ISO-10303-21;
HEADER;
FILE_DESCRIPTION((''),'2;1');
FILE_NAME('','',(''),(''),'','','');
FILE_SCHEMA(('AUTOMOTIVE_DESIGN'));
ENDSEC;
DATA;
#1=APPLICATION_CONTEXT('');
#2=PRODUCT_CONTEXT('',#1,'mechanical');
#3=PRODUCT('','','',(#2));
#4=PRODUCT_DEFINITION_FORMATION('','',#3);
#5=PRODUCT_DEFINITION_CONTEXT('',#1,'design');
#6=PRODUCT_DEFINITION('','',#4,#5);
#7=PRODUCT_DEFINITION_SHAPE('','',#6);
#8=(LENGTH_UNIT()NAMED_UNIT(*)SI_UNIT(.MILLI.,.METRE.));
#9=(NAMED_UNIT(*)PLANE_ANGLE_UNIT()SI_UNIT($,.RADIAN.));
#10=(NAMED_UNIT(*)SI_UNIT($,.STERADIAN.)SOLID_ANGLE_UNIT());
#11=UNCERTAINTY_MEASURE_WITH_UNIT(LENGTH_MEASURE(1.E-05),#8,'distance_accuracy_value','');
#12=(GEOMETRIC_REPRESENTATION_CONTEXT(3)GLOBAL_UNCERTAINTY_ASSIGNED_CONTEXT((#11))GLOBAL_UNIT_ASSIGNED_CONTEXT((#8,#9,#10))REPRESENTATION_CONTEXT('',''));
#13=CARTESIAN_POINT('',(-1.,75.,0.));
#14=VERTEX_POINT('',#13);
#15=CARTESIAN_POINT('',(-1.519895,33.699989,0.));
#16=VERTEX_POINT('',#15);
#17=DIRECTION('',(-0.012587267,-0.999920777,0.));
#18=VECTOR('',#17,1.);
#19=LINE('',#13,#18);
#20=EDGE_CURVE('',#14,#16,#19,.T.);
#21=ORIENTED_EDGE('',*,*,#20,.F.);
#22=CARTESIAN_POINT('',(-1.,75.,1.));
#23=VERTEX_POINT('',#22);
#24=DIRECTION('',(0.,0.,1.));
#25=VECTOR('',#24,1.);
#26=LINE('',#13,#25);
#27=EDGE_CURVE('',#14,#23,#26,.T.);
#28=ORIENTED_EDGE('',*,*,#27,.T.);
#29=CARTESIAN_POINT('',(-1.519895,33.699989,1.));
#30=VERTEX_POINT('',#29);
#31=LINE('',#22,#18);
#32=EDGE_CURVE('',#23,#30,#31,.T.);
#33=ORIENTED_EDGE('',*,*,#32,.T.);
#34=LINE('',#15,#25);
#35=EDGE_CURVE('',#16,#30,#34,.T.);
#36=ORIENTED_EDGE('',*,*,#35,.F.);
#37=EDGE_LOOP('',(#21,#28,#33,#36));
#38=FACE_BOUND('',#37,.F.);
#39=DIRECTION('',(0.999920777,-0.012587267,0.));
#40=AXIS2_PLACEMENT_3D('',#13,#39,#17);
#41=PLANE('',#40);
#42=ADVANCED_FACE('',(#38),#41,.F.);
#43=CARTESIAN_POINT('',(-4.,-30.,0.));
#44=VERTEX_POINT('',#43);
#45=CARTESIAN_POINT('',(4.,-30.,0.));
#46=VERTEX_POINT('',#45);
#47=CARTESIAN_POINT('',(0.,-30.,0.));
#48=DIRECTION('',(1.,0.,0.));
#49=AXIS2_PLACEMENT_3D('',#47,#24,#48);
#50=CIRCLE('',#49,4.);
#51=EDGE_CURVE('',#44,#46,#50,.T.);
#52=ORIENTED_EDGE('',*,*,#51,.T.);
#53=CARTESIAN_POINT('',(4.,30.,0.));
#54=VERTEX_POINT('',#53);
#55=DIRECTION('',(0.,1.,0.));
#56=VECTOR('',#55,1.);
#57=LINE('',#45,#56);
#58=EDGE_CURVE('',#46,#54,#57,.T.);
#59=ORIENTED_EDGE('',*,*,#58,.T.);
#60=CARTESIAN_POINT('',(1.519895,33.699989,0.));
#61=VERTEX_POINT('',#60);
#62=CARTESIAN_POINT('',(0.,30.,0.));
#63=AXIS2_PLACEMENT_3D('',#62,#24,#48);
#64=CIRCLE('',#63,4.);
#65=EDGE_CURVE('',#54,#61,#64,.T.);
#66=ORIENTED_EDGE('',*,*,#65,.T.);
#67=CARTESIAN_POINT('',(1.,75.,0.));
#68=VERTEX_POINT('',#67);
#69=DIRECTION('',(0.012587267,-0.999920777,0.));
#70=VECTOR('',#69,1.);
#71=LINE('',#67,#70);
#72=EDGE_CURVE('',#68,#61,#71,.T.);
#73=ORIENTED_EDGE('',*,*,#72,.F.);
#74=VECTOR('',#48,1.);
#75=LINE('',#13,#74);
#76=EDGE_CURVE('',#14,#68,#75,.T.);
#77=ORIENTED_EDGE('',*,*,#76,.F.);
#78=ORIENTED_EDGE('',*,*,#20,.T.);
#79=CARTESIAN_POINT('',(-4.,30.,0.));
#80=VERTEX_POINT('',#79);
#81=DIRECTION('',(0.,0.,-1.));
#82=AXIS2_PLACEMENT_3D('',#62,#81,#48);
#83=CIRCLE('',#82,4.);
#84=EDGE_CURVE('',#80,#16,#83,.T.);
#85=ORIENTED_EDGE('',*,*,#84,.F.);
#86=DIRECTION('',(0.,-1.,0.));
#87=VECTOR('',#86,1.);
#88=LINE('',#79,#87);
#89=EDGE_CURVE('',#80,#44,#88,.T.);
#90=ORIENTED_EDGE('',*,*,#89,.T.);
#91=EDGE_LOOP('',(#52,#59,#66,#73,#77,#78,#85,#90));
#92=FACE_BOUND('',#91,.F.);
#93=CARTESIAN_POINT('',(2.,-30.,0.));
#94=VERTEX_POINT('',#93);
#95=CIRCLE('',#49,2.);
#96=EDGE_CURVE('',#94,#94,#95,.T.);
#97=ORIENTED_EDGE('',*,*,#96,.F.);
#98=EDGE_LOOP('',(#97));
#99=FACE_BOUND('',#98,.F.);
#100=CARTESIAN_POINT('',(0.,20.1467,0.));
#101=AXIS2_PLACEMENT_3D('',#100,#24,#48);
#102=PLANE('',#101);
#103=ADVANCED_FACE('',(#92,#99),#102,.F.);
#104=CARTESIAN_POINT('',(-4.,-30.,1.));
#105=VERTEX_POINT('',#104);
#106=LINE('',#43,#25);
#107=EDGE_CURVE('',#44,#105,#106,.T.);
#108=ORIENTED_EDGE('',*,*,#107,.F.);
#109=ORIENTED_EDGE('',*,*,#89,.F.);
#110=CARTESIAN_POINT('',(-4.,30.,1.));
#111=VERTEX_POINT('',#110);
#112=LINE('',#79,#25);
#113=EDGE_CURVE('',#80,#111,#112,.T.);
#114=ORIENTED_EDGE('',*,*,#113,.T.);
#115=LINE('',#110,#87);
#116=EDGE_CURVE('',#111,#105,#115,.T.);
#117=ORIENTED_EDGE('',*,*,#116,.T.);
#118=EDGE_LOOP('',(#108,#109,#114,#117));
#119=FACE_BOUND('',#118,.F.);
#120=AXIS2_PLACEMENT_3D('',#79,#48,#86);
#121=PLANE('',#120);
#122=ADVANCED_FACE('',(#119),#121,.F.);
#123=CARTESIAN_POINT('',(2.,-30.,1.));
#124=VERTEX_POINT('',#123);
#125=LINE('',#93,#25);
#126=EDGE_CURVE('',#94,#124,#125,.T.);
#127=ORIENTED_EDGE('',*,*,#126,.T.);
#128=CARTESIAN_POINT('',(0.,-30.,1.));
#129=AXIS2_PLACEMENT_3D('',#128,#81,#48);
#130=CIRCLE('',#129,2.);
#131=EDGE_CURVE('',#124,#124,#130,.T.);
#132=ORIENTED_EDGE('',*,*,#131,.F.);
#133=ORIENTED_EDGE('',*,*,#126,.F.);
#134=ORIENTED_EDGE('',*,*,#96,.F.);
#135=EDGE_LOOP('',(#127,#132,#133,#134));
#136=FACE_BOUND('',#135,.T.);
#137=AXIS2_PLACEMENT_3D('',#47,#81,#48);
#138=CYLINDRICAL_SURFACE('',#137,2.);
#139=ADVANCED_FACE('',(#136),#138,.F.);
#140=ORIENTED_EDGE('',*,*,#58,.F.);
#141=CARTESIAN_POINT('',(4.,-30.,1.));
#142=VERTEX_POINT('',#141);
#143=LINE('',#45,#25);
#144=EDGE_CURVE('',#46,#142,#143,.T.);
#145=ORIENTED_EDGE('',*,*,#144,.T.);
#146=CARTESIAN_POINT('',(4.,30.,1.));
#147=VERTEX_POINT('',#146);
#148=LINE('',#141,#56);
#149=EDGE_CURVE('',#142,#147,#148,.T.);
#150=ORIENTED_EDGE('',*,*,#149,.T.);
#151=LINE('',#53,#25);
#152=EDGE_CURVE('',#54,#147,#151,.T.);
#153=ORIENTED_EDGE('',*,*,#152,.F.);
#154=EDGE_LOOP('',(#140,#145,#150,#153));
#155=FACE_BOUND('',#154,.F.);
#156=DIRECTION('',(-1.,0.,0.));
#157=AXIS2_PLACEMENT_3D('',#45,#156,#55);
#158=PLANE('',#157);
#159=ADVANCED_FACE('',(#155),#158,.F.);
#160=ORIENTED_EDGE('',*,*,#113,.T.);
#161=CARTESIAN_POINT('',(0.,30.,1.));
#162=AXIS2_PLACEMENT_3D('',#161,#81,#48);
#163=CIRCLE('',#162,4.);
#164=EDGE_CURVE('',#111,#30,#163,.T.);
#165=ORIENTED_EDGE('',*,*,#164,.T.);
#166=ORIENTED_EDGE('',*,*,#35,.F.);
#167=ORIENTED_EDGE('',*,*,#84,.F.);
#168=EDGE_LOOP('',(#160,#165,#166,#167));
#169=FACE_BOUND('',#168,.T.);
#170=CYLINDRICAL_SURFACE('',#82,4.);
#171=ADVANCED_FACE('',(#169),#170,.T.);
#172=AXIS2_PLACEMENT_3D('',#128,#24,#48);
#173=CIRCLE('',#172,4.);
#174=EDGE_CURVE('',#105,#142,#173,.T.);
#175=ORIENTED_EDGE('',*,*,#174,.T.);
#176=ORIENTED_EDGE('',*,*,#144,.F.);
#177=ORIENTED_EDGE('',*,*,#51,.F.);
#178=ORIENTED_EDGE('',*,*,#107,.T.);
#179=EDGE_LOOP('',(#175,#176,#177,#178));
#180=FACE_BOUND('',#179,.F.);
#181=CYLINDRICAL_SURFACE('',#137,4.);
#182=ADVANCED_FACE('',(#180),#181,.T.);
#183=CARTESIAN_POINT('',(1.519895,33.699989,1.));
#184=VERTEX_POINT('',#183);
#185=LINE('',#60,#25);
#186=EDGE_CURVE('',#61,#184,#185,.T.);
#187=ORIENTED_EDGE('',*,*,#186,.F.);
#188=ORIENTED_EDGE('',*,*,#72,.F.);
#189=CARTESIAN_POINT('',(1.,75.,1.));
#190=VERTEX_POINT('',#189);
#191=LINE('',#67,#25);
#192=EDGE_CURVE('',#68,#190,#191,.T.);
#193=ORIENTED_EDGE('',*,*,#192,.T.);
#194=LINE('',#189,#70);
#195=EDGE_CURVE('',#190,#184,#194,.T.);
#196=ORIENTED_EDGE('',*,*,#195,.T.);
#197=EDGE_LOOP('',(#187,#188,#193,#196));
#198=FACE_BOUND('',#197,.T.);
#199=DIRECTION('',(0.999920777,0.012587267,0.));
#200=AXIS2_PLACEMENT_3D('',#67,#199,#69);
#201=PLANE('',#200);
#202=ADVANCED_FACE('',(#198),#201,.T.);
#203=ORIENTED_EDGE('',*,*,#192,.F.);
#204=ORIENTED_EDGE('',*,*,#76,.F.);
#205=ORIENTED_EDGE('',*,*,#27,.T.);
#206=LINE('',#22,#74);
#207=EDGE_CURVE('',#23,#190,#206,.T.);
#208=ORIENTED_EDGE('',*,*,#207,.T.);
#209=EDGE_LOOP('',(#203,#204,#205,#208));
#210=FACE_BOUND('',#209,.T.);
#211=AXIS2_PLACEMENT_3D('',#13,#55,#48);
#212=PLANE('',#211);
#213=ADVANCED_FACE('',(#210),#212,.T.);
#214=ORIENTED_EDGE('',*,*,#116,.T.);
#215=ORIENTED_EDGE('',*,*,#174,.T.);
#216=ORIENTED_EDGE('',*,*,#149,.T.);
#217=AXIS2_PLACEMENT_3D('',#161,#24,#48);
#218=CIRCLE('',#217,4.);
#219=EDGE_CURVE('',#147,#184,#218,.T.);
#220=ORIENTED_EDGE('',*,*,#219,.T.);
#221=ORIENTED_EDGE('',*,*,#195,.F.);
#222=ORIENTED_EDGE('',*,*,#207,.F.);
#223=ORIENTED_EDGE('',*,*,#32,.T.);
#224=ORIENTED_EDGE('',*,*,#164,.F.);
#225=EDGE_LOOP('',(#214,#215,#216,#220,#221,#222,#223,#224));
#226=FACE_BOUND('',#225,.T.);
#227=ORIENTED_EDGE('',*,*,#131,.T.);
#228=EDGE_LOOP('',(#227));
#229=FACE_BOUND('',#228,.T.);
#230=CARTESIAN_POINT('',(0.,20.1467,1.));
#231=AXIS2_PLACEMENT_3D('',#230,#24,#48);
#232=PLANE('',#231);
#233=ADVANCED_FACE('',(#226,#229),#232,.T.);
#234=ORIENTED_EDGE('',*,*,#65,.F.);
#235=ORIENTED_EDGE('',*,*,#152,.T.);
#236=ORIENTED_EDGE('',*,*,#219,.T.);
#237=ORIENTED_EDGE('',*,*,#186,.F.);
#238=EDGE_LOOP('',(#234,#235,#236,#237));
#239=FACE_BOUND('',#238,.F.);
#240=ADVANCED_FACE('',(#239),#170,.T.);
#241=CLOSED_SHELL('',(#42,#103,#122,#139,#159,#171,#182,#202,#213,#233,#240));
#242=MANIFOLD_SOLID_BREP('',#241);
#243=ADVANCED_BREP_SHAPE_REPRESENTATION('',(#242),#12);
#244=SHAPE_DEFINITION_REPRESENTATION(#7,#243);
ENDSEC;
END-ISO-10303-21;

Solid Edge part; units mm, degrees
sketch "Sketch1" plane through (0, 0, 0) normal (0, 0, 1) x (1, 0, 0)
  line L0 (4, -30) -> (4, 30)
  arc A0 (4, 30) -> (1.5199, 33.7) centre (0, 30) ccw
  line L1 (1, 75) -> (1.5199, 33.7)
  line L2 (-1, 75) -> (1, 75)
  line L3 (-1, 75) -> (-1.5199, 33.7)
  arc A1 (-4, 30) -> (-1.5199, 33.7) centre (0, 30) cw
  line L4 (-4, 30) -> (-4, -30)
  arc A2 (-4, -30) -> (4, -30) centre (0, -30) ccw
  dimension "D1" = 4
  dimension "D2" = 1
extrude "Ajout_matière_1" add sketch "Sketch1" along normal blind 1
sketch "Sketch2" plane through (0, 0, 0) normal (0, 0, 1) x (1, 0, 0)
  circle A0 centre (0, -30) radius 2
  dimension "D1" = 4
extrude "Cutout1" cut sketch "Sketch2" along normal up to next
properties material "Acier S235"
